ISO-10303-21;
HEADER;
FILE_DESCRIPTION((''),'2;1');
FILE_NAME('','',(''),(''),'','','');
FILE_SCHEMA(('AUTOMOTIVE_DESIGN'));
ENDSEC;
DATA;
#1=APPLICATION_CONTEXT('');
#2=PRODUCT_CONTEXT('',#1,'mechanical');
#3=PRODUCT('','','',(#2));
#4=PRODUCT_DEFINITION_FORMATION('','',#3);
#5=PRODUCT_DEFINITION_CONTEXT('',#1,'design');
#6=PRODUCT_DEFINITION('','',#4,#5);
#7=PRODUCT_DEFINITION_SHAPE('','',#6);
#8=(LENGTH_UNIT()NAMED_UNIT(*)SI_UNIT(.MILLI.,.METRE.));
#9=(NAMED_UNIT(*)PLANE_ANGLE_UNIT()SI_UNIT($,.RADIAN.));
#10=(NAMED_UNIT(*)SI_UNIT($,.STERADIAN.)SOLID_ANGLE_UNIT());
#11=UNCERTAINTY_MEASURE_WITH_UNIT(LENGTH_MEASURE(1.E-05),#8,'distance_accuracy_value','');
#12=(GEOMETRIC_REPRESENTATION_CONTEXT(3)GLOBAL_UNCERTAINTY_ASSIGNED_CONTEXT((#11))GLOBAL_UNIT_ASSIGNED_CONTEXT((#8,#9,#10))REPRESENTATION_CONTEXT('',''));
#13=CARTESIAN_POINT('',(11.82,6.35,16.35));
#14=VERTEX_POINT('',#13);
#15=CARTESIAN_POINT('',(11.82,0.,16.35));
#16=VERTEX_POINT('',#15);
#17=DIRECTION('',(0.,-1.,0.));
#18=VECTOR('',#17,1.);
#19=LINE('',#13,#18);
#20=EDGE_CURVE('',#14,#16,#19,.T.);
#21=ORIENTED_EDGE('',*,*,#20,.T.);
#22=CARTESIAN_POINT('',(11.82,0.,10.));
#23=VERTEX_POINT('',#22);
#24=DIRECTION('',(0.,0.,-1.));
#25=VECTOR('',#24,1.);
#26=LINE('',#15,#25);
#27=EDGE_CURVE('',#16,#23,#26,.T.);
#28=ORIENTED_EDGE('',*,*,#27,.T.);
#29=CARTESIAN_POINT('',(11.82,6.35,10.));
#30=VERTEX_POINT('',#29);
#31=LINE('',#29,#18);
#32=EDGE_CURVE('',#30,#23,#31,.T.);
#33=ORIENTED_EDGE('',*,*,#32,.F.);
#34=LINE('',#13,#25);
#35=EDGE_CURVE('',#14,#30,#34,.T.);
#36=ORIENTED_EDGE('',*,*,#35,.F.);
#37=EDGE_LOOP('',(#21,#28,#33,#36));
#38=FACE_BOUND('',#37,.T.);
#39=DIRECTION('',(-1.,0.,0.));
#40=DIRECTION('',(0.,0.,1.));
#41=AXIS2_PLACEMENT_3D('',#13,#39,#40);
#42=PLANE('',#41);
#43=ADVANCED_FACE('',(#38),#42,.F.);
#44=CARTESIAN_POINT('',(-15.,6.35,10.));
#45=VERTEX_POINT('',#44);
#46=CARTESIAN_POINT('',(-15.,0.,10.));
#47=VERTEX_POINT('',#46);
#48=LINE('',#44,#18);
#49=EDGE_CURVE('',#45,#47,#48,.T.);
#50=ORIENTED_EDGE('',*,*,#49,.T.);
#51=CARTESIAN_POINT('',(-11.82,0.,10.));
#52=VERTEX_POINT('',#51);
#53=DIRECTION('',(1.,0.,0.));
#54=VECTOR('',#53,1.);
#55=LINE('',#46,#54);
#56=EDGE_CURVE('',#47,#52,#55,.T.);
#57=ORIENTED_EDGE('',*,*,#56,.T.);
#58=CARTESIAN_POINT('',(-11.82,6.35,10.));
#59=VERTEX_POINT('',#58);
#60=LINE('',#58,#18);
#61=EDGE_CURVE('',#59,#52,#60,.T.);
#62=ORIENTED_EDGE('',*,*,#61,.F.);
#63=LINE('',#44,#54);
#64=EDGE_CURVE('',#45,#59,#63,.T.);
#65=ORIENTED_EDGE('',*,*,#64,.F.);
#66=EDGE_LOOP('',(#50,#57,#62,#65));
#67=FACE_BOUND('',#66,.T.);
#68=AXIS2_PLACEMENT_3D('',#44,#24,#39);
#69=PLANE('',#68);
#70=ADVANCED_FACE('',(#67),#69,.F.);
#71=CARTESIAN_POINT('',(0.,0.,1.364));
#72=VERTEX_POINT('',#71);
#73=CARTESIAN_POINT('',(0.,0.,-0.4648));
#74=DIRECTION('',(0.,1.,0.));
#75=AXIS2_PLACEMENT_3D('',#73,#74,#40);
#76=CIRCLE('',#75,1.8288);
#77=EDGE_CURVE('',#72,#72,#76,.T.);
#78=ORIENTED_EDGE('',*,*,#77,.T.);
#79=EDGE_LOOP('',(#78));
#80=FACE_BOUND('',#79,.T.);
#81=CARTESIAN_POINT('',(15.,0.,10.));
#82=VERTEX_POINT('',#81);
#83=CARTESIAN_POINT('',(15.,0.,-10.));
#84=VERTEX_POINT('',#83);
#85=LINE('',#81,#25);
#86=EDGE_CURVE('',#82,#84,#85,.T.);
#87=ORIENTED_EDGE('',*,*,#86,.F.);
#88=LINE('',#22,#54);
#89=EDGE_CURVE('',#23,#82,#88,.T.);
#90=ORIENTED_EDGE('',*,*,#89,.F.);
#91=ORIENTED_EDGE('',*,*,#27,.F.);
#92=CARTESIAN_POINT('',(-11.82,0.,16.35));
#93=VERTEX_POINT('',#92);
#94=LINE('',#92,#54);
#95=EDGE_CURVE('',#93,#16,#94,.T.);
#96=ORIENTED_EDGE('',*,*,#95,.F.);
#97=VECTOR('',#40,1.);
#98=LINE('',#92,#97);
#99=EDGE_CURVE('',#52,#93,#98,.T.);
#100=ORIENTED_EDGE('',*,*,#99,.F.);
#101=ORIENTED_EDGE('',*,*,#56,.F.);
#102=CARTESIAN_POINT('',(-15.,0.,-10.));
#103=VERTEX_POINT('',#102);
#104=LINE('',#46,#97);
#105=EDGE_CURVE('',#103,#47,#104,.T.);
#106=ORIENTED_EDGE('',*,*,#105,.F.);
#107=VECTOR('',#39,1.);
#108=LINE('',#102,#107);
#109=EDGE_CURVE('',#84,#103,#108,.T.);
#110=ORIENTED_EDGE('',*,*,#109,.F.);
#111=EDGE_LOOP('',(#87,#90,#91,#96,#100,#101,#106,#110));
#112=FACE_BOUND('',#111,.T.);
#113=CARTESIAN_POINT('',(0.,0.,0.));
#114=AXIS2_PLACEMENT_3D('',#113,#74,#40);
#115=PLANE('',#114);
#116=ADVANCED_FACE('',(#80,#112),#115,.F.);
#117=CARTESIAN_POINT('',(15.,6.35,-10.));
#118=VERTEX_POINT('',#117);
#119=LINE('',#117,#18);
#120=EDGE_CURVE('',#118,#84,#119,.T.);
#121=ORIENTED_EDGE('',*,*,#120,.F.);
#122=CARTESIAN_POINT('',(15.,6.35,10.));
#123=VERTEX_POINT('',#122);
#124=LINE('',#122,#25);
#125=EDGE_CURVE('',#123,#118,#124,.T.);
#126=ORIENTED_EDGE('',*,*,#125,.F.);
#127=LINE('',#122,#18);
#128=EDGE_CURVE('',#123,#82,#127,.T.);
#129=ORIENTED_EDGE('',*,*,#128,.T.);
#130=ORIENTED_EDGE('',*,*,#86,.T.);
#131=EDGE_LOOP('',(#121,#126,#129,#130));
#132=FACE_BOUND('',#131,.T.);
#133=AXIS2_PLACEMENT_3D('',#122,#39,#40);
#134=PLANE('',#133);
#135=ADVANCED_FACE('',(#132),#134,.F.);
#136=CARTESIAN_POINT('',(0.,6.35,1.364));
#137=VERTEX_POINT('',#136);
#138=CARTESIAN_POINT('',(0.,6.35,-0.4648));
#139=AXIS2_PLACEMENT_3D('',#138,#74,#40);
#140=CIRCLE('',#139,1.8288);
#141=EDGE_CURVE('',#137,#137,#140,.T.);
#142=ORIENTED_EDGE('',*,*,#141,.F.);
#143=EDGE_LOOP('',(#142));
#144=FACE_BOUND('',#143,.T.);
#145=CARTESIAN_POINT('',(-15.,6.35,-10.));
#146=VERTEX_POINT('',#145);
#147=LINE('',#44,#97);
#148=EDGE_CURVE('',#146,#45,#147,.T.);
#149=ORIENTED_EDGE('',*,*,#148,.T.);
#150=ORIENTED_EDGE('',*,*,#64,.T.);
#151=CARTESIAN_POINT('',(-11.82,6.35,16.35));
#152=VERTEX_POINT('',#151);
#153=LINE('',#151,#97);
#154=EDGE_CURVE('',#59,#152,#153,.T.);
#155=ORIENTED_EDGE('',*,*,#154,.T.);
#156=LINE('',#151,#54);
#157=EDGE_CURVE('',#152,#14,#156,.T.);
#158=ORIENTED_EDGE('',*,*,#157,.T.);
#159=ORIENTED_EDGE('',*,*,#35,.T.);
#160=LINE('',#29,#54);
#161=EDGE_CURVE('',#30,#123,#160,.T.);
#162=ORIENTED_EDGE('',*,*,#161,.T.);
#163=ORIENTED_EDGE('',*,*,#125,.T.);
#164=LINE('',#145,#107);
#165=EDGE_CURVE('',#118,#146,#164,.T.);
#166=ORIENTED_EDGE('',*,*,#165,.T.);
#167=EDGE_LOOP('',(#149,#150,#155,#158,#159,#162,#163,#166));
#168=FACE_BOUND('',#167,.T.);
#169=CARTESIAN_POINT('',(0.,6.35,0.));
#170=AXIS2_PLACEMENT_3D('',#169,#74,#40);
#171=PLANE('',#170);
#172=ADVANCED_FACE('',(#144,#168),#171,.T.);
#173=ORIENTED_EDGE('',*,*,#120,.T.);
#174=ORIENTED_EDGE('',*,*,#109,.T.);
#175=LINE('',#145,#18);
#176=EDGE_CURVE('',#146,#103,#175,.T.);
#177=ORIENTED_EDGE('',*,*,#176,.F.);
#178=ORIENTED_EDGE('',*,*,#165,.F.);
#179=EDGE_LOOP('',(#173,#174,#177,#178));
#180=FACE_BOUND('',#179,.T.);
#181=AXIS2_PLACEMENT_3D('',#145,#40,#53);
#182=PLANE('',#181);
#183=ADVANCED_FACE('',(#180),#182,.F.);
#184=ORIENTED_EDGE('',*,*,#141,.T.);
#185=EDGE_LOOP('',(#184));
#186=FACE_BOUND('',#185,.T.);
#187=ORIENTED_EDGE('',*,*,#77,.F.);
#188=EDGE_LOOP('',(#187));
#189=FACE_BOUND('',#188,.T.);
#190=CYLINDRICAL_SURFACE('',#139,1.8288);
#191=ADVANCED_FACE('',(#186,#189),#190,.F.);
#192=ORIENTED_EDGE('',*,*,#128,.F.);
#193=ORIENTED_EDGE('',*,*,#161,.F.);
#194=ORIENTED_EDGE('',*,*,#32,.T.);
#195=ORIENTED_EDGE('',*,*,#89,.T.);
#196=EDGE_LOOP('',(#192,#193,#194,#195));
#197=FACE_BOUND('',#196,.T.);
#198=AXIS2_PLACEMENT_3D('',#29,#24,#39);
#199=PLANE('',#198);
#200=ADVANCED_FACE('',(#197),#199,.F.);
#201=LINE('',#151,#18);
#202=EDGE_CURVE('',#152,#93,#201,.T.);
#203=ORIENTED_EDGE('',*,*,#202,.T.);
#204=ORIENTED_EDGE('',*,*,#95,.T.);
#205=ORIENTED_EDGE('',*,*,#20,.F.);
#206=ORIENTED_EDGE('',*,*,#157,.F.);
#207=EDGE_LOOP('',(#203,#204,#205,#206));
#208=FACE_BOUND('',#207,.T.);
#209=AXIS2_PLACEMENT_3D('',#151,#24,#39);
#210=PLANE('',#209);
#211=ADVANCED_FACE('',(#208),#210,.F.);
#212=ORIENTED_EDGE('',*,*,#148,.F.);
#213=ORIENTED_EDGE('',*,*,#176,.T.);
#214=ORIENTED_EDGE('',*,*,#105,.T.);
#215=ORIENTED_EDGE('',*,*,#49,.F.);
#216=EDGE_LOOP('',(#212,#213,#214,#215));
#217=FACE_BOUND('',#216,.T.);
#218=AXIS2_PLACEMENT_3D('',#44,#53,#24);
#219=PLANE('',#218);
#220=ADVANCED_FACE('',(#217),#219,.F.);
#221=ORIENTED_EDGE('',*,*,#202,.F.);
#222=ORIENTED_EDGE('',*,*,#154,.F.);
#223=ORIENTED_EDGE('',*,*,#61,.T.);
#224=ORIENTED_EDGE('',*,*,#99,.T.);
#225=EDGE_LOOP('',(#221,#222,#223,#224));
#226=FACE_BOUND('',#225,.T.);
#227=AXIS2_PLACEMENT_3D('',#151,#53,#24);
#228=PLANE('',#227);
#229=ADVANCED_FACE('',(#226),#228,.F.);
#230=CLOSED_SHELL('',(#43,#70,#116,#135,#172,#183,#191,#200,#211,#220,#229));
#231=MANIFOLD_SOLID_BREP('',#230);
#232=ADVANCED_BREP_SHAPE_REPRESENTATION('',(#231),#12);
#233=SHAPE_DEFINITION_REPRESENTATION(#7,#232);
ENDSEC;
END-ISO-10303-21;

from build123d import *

# Parameters (mm, degrees)
BOSS_EXTRUDE1_DEPTH   = 6.35
F_6_CLEARANCE_HOLE1_D = 3.6576


with BuildPart() as part:
    # Sketch1 → Boss-Extrude1 (new body)
    with BuildSketch(Plane(origin=(0, 0, 0), x_dir=(1, 0, 0), z_dir=(0, 1, 0))):
        Polygon((-15, -10), (-15, 10), (15, 10), (15, -10), (11.82, -10), (11.82, -16.35), (-11.82, -16.35), (-11.82, -10), align=None)
    extrude(amount=BOSS_EXTRUDE1_DEPTH)

    # #6 Clearance Hole1 (through all)
    with Locations(Plane(origin=(0, 6.35, 0), x_dir=(1, 0, 0), z_dir=(0, 1, 0))):
        with Locations((0, 0.4648)):
            Hole(F_6_CLEARANCE_HOLE1_D / 2)


solid = part.part
